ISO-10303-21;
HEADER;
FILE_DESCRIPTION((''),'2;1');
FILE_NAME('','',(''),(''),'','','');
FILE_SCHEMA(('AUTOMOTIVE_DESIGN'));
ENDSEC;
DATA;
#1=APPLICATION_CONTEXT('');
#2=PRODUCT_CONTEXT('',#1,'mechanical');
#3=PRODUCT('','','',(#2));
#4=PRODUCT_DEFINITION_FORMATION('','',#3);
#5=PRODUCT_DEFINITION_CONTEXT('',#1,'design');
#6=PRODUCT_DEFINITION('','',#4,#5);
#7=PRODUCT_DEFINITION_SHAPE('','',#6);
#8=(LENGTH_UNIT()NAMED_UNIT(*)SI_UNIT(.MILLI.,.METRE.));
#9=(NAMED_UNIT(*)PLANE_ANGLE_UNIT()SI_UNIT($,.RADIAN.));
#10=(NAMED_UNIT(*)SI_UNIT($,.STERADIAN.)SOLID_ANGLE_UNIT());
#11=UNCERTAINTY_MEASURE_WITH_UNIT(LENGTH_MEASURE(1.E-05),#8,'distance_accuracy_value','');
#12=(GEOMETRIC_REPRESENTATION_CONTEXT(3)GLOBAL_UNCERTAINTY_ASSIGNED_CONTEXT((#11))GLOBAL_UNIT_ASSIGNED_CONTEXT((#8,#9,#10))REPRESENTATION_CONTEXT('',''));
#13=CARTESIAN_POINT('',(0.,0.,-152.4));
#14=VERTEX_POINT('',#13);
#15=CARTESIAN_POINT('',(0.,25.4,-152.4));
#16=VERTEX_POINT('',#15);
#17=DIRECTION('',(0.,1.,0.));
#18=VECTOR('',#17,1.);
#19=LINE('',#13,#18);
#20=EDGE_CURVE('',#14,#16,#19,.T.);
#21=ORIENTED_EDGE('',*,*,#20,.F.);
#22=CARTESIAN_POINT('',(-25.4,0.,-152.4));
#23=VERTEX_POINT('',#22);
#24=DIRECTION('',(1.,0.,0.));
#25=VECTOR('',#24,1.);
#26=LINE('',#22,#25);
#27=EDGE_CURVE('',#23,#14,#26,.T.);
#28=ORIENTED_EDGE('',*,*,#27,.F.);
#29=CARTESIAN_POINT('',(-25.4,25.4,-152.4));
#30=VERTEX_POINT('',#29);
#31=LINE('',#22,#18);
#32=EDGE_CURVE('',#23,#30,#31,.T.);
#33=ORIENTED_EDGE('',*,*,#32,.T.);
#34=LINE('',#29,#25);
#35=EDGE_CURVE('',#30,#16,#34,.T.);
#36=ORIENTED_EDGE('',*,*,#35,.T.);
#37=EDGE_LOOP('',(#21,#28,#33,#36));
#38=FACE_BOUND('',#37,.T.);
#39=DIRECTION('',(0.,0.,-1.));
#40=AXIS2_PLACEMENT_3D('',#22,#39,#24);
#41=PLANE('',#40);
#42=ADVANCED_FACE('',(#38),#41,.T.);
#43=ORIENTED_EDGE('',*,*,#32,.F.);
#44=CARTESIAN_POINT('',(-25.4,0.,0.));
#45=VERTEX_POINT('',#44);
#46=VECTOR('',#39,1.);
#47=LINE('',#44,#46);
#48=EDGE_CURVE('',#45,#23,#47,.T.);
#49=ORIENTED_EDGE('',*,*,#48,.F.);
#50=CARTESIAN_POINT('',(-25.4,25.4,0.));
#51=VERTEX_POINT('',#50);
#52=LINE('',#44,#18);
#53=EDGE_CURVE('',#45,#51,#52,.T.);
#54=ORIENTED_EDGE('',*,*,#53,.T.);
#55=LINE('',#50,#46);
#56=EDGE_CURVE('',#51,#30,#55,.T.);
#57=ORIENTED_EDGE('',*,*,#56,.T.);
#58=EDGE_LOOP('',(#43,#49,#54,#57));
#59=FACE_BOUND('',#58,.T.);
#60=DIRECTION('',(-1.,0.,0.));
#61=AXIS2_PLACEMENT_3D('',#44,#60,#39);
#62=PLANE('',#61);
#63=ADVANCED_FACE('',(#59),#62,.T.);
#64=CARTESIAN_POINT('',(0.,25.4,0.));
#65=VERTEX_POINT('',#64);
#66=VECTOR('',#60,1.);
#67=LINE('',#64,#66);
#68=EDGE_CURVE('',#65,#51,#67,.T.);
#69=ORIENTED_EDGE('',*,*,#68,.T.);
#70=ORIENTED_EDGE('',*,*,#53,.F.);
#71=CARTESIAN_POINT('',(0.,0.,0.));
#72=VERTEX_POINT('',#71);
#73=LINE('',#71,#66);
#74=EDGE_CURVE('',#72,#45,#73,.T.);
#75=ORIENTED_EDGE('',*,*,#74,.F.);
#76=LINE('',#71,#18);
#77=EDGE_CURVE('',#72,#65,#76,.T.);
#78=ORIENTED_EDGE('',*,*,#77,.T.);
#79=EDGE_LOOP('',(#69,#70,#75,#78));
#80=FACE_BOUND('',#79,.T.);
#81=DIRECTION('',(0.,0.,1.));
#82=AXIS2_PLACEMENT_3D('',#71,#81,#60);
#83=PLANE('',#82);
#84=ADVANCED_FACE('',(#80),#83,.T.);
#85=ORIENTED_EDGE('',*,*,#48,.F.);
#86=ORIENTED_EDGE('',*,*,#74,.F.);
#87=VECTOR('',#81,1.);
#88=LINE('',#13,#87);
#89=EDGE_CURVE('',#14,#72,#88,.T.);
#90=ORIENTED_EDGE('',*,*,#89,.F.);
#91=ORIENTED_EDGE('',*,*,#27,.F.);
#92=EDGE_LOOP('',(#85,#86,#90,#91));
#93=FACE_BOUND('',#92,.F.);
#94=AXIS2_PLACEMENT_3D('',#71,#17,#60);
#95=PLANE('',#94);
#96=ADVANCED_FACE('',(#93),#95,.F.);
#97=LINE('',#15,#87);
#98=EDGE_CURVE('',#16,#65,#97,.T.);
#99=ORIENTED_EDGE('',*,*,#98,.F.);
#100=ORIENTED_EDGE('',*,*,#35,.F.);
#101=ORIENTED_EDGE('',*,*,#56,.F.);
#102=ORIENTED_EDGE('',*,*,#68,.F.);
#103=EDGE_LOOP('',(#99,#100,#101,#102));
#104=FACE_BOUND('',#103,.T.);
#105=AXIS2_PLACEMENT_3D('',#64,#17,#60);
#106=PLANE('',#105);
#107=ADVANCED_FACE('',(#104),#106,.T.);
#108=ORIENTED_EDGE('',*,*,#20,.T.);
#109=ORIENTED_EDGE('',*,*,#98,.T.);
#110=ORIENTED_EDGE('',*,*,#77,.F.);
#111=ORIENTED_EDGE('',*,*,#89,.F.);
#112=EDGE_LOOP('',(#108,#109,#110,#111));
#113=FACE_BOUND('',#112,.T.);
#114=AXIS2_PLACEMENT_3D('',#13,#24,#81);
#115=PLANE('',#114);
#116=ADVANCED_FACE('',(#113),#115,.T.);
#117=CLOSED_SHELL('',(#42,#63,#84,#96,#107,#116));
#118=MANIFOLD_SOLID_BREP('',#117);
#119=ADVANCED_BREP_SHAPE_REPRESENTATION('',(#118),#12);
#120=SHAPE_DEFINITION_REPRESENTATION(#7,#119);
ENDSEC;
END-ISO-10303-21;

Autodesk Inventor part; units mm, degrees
ref_plane "YZ Plane" through (0, 0, 0) normal (1, 0, 0) x (0, 1, 0)
ref_plane "XZ Plane" through (0, 0, 0) normal (0, 1, 0) x (-1, 0, 0)
ref_plane "XY Plane" through (0, 0, 0) normal (0, 0, 1) x (1, 0, 0)
sketch "Sketch1" plane through (0, 0, 0) normal (0, 1, 0) x (-1, 0, 0)
  line L0 (0, 0) -> (25.4, 0)
  line L1 (25.4, 0) -> (25.4, -152.4)
  line L2 (25.4, -152.4) -> (0, -152.4)
  line L3 (0, -152.4) -> (0, 0)
  dimension "d0" = 25.4
  dimension "d1" = 152.4
extrude "Extrusion1" add sketch "Sketch1" along normal blind 25.4
properties part number "6in block"
